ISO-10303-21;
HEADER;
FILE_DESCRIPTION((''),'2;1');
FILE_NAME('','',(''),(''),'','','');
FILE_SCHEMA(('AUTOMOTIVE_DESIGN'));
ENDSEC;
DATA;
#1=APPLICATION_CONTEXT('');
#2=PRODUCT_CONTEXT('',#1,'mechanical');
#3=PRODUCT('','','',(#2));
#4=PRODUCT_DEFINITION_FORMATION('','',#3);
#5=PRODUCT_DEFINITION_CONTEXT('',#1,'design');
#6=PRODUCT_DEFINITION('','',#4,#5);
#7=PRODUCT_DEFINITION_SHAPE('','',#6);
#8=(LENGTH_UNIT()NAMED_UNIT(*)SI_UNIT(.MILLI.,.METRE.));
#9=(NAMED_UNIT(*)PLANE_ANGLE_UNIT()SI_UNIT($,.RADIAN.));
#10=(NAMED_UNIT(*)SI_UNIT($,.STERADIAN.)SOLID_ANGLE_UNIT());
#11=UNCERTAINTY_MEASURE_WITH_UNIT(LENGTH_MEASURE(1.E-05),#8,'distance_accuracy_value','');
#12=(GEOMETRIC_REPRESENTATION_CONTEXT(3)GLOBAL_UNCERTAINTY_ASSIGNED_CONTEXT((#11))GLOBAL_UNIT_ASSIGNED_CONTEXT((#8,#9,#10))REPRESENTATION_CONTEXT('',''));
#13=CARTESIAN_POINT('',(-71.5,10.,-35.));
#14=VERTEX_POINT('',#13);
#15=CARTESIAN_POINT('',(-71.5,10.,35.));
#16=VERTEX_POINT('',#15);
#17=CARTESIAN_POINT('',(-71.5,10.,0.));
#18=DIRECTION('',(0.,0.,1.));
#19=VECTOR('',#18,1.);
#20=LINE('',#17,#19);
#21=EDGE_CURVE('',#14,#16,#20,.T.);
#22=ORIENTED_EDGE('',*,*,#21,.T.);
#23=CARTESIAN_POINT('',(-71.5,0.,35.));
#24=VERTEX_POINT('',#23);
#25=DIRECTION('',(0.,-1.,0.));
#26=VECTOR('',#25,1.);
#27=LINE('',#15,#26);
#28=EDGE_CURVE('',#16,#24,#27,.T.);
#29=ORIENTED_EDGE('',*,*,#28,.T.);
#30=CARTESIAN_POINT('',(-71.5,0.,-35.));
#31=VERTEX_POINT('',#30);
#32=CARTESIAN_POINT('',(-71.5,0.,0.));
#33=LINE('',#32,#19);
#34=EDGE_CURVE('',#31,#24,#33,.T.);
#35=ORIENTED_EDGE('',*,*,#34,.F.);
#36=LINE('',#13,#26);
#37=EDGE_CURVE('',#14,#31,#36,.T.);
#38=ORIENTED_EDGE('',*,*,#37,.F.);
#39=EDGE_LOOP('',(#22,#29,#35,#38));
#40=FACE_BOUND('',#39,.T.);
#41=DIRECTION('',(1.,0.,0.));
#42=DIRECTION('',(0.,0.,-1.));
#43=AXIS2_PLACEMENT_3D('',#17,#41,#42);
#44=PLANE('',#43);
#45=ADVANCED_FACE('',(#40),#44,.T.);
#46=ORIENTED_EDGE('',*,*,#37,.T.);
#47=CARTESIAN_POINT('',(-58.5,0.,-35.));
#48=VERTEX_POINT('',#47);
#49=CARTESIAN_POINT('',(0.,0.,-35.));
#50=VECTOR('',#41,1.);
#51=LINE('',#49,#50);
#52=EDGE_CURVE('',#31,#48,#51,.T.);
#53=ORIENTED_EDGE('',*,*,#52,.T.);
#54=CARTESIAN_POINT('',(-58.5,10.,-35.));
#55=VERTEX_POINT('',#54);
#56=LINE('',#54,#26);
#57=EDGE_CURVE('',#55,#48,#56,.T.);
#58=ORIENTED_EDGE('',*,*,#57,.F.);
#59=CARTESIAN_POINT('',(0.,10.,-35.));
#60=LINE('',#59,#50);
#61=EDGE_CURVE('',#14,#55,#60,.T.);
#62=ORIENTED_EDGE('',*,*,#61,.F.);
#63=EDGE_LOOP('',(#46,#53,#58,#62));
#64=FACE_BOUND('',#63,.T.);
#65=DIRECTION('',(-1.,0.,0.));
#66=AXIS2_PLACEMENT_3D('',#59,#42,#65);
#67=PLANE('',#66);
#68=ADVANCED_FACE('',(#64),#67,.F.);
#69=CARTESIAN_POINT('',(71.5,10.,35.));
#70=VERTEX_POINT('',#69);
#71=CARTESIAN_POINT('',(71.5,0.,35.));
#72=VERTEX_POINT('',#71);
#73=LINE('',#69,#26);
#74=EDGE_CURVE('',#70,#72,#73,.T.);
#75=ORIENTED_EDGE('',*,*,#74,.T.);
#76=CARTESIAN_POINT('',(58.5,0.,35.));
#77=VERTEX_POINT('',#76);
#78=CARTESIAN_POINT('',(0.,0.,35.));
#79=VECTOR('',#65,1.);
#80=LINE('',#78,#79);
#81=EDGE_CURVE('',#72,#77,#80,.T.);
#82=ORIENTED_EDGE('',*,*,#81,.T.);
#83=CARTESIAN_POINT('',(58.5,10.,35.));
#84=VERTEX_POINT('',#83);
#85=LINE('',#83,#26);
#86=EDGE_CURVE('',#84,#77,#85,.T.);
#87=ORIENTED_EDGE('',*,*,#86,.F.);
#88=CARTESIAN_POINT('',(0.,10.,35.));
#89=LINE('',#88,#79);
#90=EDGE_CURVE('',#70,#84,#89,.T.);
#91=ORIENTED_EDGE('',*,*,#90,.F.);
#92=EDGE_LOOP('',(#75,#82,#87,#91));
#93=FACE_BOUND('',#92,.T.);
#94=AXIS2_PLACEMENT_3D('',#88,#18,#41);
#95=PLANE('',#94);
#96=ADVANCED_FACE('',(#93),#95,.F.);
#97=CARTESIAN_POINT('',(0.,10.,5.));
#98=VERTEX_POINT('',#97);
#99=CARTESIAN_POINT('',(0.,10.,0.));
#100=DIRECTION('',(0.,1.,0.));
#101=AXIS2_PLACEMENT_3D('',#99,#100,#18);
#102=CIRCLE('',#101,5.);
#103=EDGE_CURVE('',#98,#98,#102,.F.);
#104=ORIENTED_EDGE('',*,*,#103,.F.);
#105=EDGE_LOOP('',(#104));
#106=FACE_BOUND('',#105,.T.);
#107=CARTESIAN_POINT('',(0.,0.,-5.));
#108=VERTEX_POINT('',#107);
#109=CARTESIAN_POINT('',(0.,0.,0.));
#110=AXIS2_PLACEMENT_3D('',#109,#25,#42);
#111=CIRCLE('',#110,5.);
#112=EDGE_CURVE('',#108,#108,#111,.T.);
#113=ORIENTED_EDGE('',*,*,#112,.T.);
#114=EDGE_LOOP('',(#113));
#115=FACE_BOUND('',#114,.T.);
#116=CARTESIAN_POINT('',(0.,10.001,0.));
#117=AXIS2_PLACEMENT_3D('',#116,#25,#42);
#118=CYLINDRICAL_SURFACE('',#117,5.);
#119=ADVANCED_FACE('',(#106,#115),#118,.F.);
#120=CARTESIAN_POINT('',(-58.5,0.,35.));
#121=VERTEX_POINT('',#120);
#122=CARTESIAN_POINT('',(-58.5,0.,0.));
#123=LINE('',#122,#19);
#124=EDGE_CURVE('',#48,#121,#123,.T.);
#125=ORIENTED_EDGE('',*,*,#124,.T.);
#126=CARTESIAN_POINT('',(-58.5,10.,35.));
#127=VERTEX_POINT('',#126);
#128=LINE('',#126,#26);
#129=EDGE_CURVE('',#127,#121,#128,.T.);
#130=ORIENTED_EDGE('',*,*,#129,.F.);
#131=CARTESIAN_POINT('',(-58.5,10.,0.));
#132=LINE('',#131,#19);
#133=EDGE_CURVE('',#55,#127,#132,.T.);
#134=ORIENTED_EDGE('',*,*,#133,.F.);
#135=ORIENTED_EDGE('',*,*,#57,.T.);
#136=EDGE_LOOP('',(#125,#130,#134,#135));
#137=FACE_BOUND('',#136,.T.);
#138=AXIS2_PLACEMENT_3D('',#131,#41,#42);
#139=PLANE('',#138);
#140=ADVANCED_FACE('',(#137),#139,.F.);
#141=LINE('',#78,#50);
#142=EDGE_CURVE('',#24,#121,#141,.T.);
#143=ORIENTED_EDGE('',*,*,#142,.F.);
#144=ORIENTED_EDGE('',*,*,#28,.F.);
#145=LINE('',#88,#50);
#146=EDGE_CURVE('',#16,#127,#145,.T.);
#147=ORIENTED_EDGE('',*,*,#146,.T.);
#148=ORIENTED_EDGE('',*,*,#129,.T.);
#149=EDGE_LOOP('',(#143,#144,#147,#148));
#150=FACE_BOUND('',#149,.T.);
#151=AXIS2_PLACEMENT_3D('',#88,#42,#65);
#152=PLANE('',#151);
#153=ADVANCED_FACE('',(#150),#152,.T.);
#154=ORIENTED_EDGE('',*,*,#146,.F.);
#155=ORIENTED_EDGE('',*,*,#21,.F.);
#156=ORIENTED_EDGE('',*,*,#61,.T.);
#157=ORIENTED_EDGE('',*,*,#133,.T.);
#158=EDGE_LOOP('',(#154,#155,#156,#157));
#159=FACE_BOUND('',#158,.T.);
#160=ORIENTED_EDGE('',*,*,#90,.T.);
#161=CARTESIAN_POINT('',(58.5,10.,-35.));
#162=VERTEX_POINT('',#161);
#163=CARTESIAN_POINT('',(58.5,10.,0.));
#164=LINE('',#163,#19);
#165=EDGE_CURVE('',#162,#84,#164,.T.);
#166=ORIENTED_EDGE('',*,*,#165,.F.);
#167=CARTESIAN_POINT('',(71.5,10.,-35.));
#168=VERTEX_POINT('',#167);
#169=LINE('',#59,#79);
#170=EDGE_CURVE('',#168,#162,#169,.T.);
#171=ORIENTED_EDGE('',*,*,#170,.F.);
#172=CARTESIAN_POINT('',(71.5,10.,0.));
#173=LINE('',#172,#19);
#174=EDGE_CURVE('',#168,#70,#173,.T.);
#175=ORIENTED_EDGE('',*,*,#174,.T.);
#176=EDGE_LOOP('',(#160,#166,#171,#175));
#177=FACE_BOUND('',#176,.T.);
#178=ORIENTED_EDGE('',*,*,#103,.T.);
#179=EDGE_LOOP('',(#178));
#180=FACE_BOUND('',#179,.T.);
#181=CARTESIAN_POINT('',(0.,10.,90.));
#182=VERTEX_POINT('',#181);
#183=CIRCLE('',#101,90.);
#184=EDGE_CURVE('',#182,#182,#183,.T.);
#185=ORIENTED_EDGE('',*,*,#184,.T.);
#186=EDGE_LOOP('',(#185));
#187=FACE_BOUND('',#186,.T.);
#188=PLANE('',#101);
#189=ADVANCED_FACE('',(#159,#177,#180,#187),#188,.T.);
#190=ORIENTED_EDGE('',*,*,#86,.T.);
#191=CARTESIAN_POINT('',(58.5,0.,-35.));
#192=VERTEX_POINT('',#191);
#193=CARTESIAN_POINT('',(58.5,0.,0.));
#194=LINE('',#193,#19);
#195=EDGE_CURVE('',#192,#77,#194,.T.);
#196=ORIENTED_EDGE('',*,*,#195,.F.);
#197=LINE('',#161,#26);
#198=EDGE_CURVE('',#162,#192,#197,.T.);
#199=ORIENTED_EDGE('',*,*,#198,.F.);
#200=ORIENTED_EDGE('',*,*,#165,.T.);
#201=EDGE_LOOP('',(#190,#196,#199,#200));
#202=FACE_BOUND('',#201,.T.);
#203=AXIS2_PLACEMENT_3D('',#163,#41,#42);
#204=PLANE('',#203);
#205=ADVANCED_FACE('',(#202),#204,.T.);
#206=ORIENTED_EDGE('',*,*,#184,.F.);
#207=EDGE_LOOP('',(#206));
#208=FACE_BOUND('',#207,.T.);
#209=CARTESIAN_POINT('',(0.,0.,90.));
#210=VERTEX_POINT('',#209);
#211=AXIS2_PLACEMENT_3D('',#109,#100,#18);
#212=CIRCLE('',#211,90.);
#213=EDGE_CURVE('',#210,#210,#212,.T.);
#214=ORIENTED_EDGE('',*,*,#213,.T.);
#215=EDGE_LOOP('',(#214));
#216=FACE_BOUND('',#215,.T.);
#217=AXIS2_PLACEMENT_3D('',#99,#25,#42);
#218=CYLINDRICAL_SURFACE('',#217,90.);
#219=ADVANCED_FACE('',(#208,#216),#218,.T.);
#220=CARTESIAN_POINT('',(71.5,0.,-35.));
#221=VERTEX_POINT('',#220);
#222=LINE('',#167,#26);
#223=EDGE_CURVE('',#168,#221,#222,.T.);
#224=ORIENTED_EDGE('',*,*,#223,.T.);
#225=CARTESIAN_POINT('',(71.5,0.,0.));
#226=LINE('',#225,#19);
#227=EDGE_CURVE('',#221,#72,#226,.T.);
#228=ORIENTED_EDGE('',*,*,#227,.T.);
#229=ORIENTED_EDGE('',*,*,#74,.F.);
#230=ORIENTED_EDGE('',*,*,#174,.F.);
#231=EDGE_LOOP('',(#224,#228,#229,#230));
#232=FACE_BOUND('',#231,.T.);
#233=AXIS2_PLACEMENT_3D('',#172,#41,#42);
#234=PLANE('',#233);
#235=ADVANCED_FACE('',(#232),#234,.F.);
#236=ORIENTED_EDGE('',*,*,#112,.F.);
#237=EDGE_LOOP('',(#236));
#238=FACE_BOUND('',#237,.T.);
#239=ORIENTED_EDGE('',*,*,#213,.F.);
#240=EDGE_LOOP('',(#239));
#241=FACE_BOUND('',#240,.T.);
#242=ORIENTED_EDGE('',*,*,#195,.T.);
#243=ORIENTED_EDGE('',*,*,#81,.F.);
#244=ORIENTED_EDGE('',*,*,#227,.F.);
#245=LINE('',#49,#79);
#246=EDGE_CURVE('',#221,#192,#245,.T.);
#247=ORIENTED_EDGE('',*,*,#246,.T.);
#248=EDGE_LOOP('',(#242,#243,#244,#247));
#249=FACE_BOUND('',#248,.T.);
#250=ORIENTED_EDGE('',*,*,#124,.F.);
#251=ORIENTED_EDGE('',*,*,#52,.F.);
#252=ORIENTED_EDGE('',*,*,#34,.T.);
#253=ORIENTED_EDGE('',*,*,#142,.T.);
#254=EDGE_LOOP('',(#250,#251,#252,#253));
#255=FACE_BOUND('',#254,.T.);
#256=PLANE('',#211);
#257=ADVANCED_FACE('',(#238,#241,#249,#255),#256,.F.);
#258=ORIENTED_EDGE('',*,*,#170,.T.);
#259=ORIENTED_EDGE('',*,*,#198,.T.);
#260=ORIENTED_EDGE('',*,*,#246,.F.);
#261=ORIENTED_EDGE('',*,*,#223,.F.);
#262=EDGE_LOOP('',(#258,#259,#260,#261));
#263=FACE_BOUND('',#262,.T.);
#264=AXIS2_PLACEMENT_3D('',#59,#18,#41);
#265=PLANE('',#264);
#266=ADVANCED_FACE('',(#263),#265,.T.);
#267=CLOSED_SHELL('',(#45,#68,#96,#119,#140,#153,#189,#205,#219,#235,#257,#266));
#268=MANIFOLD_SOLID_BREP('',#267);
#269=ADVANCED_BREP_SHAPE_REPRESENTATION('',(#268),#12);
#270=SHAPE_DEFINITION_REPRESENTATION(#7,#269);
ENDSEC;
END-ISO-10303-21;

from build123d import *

# Parameters (mm, degrees)
SKETCH1_R           = 90
SKETCH1_W           = 13
SKETCH1_H           = 70
BOSS_EXTRUDE1_DEPTH = 10
CUT_EXTRUDE1_REACH  = 12
SKETCH2_R           = 5


with BuildPart() as part:
    # Sketch1 → Boss-Extrude1 (new body)
    with BuildSketch(Plane(origin=(0, 0, 0), x_dir=(1, 0, 0), z_dir=(0, 1, 0))):
        Circle(SKETCH1_R)
        with Locations((-65, 0)):
            Rectangle(SKETCH1_W, SKETCH1_H, mode=Mode.SUBTRACT)
        with Locations((65, 0)):
            Rectangle(SKETCH1_W, SKETCH1_H, mode=Mode.SUBTRACT)
    extrude(amount=BOSS_EXTRUDE1_DEPTH)

    # Sketch2 → Cut-Extrude1 (cut, up to next)
    with BuildSketch(Plane.XZ, mode=Mode.PRIVATE) as cut_extrude1_sk1:
        Circle(SKETCH2_R)
    cut_extrude1_tool1 = extrude(cut_extrude1_sk1.sketch, amount=-CUT_EXTRUDE1_REACH, mode=Mode.PRIVATE) & part.part
    add(cut_extrude1_tool1.solids().sort_by_distance((0, 0, 0))[0], mode=Mode.SUBTRACT)


solid = part.part
